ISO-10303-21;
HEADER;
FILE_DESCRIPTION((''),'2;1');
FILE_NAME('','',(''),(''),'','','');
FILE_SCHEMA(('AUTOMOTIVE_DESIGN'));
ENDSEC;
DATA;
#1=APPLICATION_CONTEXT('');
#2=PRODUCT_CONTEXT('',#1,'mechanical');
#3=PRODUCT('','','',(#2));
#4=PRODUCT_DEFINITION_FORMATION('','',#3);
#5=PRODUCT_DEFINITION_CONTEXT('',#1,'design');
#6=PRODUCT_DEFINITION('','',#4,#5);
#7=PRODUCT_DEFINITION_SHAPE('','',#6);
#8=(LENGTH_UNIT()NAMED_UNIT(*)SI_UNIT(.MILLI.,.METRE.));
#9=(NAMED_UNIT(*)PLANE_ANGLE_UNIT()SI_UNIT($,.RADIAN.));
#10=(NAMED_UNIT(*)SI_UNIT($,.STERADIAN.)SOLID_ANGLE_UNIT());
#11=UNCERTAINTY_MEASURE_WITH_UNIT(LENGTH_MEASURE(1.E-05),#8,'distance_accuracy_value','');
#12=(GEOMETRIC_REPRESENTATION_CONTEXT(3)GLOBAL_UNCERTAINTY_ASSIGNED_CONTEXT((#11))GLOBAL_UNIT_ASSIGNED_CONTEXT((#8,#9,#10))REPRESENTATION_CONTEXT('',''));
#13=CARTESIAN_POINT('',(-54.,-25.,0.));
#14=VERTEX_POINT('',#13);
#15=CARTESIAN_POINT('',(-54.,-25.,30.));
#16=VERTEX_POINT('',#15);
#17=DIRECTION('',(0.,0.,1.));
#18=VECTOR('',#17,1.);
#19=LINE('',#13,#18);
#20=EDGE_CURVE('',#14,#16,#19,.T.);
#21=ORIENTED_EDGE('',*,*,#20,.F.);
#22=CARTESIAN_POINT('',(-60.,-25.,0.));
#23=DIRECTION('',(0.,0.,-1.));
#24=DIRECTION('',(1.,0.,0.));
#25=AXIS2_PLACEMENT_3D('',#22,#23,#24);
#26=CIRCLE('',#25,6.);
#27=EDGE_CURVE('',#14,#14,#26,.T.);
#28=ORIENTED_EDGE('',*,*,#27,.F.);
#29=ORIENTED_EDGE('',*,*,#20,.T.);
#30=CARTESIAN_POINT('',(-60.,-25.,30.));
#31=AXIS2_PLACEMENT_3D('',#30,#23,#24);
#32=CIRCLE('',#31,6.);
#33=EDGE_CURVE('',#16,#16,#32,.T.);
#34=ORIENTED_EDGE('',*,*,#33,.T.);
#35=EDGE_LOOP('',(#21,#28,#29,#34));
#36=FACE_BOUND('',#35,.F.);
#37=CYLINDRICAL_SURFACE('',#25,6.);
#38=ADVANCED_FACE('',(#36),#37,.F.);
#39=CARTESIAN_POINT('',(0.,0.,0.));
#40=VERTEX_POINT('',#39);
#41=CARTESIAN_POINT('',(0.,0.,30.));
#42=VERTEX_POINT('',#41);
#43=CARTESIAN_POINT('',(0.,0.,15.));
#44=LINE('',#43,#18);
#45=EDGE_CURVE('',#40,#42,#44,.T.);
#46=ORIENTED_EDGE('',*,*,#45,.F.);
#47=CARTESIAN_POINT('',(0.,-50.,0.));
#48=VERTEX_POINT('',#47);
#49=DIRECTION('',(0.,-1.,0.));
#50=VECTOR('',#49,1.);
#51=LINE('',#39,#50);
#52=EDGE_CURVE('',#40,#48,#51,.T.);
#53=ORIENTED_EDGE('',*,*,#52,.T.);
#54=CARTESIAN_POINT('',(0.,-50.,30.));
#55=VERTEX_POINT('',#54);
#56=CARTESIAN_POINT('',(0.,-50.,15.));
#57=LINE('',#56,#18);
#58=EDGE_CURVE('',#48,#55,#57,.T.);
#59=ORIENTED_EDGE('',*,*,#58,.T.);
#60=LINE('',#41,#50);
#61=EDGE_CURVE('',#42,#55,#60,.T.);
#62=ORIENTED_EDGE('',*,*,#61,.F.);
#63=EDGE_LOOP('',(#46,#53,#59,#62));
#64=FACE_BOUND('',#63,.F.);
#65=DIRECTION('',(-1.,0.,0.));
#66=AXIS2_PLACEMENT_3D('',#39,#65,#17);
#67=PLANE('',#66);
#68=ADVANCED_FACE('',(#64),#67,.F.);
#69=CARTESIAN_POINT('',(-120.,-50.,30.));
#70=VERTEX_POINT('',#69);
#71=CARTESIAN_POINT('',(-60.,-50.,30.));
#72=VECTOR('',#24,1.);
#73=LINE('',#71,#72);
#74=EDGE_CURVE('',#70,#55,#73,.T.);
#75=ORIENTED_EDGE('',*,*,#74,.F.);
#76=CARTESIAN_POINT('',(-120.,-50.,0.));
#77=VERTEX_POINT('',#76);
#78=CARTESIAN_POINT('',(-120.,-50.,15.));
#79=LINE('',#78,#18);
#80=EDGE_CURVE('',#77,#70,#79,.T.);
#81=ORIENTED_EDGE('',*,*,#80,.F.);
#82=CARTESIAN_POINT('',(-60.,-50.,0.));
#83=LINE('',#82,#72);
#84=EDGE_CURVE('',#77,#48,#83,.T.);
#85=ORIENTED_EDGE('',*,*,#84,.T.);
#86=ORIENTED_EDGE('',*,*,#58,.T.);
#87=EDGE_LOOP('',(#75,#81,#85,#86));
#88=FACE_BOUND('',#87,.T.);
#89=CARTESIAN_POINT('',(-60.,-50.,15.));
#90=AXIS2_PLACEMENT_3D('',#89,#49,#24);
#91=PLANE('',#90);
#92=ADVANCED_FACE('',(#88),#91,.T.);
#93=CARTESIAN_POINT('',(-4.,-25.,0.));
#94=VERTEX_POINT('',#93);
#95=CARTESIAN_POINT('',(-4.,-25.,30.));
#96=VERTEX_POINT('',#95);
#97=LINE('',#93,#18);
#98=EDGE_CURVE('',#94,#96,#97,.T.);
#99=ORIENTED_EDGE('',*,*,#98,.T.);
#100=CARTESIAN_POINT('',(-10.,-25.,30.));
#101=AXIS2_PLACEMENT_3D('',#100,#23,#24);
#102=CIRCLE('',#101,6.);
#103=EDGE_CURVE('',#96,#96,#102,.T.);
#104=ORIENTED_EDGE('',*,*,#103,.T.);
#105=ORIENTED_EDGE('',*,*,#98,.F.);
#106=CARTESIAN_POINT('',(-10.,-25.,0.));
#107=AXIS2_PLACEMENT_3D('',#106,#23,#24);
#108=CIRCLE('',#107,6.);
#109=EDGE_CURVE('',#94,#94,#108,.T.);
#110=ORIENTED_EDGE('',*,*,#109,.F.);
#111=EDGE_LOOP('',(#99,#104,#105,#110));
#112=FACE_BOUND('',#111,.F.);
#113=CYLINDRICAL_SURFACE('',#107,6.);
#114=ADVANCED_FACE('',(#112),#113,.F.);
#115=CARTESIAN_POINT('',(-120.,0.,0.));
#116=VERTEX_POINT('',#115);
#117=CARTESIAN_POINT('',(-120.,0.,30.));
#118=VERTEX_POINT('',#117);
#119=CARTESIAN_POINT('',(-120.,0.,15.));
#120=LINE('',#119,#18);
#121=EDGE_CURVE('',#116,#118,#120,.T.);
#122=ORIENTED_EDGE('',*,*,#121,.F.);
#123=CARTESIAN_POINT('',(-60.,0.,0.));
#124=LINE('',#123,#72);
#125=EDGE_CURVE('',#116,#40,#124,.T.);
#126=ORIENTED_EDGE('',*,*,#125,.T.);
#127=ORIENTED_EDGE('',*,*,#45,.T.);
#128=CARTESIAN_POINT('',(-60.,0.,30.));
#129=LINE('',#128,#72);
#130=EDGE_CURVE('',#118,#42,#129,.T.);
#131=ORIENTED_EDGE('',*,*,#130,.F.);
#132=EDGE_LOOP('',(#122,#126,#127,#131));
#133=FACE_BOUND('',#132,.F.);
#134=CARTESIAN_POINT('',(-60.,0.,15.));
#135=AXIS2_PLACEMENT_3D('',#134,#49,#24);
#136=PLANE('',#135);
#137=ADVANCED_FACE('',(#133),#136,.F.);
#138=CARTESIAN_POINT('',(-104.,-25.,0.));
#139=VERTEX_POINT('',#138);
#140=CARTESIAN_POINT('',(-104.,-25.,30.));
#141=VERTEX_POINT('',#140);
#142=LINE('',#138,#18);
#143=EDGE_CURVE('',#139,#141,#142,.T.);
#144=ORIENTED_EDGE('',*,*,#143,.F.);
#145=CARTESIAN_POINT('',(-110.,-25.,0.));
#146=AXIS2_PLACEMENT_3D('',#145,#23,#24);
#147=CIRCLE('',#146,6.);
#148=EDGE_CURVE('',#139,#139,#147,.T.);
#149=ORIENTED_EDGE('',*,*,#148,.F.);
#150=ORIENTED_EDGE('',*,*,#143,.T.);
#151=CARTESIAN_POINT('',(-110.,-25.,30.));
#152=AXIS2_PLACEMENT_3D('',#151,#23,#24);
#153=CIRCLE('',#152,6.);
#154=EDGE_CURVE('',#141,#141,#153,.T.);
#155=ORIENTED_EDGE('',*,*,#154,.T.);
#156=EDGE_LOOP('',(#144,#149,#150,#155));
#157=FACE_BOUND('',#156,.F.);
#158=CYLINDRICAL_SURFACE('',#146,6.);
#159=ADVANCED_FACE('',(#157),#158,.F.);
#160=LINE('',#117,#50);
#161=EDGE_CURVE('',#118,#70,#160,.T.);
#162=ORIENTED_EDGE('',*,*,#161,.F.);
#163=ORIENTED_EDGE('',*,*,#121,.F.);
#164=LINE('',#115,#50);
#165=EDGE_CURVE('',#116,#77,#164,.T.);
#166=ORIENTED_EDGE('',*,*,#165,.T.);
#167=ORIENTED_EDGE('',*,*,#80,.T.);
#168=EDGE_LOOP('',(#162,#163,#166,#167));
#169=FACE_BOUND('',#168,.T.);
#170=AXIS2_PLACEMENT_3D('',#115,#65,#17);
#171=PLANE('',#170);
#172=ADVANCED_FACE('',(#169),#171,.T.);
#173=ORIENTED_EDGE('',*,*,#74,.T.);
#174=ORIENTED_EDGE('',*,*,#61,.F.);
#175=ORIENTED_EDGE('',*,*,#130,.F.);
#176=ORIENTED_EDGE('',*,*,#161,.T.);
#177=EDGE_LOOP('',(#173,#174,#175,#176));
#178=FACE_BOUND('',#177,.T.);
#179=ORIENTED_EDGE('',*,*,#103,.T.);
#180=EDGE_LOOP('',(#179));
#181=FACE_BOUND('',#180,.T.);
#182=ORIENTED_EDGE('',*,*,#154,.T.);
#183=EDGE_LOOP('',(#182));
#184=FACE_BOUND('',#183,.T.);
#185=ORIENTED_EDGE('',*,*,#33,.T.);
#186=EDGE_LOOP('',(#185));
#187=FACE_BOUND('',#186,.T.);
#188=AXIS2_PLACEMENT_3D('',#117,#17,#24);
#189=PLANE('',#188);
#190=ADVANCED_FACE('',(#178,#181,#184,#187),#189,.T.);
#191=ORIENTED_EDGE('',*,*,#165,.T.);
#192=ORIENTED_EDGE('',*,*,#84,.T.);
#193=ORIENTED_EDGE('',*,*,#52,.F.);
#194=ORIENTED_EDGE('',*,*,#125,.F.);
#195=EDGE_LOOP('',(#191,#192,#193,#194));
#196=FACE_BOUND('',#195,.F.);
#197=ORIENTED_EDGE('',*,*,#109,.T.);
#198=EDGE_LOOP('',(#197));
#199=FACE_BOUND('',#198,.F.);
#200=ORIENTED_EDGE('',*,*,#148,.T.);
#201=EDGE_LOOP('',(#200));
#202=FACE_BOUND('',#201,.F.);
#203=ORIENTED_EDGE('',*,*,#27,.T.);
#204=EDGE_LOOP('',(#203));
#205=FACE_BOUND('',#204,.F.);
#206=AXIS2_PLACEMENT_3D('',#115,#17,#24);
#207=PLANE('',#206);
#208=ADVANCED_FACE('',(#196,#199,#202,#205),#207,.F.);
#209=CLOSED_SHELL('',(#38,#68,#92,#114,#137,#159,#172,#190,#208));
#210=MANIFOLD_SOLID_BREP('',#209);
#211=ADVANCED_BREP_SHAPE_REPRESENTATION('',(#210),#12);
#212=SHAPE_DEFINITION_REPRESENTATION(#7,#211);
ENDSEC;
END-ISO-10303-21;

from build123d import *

# Parameters (mm, degrees)
F0_W     = 120
F0_H     = 30
F1_DEPTH = 50
F2_R     = 6
F3_DEPTH = 30.001


with BuildPart() as f1:
    # F0 (on Front) → F1 (new body)
    with BuildSketch(Plane.XZ):
        with Locations((-60, 15)):
            Rectangle(F0_W, F0_H)
    extrude(amount=F1_DEPTH)

    # F2 (on face) → F3 (cut, through all)
    with BuildSketch(Plane(origin=(0, 0, 0), x_dir=(1, 0, 0), z_dir=(0, 0, -1))):
        with Locations((-110, 25)):
            Circle(F2_R)
        with Locations((-10, 25)):
            Circle(F2_R)
        with Locations((-60, 25)):
            Circle(F2_R)
    extrude(amount=-F3_DEPTH, mode=Mode.SUBTRACT)


solid = f1.part
